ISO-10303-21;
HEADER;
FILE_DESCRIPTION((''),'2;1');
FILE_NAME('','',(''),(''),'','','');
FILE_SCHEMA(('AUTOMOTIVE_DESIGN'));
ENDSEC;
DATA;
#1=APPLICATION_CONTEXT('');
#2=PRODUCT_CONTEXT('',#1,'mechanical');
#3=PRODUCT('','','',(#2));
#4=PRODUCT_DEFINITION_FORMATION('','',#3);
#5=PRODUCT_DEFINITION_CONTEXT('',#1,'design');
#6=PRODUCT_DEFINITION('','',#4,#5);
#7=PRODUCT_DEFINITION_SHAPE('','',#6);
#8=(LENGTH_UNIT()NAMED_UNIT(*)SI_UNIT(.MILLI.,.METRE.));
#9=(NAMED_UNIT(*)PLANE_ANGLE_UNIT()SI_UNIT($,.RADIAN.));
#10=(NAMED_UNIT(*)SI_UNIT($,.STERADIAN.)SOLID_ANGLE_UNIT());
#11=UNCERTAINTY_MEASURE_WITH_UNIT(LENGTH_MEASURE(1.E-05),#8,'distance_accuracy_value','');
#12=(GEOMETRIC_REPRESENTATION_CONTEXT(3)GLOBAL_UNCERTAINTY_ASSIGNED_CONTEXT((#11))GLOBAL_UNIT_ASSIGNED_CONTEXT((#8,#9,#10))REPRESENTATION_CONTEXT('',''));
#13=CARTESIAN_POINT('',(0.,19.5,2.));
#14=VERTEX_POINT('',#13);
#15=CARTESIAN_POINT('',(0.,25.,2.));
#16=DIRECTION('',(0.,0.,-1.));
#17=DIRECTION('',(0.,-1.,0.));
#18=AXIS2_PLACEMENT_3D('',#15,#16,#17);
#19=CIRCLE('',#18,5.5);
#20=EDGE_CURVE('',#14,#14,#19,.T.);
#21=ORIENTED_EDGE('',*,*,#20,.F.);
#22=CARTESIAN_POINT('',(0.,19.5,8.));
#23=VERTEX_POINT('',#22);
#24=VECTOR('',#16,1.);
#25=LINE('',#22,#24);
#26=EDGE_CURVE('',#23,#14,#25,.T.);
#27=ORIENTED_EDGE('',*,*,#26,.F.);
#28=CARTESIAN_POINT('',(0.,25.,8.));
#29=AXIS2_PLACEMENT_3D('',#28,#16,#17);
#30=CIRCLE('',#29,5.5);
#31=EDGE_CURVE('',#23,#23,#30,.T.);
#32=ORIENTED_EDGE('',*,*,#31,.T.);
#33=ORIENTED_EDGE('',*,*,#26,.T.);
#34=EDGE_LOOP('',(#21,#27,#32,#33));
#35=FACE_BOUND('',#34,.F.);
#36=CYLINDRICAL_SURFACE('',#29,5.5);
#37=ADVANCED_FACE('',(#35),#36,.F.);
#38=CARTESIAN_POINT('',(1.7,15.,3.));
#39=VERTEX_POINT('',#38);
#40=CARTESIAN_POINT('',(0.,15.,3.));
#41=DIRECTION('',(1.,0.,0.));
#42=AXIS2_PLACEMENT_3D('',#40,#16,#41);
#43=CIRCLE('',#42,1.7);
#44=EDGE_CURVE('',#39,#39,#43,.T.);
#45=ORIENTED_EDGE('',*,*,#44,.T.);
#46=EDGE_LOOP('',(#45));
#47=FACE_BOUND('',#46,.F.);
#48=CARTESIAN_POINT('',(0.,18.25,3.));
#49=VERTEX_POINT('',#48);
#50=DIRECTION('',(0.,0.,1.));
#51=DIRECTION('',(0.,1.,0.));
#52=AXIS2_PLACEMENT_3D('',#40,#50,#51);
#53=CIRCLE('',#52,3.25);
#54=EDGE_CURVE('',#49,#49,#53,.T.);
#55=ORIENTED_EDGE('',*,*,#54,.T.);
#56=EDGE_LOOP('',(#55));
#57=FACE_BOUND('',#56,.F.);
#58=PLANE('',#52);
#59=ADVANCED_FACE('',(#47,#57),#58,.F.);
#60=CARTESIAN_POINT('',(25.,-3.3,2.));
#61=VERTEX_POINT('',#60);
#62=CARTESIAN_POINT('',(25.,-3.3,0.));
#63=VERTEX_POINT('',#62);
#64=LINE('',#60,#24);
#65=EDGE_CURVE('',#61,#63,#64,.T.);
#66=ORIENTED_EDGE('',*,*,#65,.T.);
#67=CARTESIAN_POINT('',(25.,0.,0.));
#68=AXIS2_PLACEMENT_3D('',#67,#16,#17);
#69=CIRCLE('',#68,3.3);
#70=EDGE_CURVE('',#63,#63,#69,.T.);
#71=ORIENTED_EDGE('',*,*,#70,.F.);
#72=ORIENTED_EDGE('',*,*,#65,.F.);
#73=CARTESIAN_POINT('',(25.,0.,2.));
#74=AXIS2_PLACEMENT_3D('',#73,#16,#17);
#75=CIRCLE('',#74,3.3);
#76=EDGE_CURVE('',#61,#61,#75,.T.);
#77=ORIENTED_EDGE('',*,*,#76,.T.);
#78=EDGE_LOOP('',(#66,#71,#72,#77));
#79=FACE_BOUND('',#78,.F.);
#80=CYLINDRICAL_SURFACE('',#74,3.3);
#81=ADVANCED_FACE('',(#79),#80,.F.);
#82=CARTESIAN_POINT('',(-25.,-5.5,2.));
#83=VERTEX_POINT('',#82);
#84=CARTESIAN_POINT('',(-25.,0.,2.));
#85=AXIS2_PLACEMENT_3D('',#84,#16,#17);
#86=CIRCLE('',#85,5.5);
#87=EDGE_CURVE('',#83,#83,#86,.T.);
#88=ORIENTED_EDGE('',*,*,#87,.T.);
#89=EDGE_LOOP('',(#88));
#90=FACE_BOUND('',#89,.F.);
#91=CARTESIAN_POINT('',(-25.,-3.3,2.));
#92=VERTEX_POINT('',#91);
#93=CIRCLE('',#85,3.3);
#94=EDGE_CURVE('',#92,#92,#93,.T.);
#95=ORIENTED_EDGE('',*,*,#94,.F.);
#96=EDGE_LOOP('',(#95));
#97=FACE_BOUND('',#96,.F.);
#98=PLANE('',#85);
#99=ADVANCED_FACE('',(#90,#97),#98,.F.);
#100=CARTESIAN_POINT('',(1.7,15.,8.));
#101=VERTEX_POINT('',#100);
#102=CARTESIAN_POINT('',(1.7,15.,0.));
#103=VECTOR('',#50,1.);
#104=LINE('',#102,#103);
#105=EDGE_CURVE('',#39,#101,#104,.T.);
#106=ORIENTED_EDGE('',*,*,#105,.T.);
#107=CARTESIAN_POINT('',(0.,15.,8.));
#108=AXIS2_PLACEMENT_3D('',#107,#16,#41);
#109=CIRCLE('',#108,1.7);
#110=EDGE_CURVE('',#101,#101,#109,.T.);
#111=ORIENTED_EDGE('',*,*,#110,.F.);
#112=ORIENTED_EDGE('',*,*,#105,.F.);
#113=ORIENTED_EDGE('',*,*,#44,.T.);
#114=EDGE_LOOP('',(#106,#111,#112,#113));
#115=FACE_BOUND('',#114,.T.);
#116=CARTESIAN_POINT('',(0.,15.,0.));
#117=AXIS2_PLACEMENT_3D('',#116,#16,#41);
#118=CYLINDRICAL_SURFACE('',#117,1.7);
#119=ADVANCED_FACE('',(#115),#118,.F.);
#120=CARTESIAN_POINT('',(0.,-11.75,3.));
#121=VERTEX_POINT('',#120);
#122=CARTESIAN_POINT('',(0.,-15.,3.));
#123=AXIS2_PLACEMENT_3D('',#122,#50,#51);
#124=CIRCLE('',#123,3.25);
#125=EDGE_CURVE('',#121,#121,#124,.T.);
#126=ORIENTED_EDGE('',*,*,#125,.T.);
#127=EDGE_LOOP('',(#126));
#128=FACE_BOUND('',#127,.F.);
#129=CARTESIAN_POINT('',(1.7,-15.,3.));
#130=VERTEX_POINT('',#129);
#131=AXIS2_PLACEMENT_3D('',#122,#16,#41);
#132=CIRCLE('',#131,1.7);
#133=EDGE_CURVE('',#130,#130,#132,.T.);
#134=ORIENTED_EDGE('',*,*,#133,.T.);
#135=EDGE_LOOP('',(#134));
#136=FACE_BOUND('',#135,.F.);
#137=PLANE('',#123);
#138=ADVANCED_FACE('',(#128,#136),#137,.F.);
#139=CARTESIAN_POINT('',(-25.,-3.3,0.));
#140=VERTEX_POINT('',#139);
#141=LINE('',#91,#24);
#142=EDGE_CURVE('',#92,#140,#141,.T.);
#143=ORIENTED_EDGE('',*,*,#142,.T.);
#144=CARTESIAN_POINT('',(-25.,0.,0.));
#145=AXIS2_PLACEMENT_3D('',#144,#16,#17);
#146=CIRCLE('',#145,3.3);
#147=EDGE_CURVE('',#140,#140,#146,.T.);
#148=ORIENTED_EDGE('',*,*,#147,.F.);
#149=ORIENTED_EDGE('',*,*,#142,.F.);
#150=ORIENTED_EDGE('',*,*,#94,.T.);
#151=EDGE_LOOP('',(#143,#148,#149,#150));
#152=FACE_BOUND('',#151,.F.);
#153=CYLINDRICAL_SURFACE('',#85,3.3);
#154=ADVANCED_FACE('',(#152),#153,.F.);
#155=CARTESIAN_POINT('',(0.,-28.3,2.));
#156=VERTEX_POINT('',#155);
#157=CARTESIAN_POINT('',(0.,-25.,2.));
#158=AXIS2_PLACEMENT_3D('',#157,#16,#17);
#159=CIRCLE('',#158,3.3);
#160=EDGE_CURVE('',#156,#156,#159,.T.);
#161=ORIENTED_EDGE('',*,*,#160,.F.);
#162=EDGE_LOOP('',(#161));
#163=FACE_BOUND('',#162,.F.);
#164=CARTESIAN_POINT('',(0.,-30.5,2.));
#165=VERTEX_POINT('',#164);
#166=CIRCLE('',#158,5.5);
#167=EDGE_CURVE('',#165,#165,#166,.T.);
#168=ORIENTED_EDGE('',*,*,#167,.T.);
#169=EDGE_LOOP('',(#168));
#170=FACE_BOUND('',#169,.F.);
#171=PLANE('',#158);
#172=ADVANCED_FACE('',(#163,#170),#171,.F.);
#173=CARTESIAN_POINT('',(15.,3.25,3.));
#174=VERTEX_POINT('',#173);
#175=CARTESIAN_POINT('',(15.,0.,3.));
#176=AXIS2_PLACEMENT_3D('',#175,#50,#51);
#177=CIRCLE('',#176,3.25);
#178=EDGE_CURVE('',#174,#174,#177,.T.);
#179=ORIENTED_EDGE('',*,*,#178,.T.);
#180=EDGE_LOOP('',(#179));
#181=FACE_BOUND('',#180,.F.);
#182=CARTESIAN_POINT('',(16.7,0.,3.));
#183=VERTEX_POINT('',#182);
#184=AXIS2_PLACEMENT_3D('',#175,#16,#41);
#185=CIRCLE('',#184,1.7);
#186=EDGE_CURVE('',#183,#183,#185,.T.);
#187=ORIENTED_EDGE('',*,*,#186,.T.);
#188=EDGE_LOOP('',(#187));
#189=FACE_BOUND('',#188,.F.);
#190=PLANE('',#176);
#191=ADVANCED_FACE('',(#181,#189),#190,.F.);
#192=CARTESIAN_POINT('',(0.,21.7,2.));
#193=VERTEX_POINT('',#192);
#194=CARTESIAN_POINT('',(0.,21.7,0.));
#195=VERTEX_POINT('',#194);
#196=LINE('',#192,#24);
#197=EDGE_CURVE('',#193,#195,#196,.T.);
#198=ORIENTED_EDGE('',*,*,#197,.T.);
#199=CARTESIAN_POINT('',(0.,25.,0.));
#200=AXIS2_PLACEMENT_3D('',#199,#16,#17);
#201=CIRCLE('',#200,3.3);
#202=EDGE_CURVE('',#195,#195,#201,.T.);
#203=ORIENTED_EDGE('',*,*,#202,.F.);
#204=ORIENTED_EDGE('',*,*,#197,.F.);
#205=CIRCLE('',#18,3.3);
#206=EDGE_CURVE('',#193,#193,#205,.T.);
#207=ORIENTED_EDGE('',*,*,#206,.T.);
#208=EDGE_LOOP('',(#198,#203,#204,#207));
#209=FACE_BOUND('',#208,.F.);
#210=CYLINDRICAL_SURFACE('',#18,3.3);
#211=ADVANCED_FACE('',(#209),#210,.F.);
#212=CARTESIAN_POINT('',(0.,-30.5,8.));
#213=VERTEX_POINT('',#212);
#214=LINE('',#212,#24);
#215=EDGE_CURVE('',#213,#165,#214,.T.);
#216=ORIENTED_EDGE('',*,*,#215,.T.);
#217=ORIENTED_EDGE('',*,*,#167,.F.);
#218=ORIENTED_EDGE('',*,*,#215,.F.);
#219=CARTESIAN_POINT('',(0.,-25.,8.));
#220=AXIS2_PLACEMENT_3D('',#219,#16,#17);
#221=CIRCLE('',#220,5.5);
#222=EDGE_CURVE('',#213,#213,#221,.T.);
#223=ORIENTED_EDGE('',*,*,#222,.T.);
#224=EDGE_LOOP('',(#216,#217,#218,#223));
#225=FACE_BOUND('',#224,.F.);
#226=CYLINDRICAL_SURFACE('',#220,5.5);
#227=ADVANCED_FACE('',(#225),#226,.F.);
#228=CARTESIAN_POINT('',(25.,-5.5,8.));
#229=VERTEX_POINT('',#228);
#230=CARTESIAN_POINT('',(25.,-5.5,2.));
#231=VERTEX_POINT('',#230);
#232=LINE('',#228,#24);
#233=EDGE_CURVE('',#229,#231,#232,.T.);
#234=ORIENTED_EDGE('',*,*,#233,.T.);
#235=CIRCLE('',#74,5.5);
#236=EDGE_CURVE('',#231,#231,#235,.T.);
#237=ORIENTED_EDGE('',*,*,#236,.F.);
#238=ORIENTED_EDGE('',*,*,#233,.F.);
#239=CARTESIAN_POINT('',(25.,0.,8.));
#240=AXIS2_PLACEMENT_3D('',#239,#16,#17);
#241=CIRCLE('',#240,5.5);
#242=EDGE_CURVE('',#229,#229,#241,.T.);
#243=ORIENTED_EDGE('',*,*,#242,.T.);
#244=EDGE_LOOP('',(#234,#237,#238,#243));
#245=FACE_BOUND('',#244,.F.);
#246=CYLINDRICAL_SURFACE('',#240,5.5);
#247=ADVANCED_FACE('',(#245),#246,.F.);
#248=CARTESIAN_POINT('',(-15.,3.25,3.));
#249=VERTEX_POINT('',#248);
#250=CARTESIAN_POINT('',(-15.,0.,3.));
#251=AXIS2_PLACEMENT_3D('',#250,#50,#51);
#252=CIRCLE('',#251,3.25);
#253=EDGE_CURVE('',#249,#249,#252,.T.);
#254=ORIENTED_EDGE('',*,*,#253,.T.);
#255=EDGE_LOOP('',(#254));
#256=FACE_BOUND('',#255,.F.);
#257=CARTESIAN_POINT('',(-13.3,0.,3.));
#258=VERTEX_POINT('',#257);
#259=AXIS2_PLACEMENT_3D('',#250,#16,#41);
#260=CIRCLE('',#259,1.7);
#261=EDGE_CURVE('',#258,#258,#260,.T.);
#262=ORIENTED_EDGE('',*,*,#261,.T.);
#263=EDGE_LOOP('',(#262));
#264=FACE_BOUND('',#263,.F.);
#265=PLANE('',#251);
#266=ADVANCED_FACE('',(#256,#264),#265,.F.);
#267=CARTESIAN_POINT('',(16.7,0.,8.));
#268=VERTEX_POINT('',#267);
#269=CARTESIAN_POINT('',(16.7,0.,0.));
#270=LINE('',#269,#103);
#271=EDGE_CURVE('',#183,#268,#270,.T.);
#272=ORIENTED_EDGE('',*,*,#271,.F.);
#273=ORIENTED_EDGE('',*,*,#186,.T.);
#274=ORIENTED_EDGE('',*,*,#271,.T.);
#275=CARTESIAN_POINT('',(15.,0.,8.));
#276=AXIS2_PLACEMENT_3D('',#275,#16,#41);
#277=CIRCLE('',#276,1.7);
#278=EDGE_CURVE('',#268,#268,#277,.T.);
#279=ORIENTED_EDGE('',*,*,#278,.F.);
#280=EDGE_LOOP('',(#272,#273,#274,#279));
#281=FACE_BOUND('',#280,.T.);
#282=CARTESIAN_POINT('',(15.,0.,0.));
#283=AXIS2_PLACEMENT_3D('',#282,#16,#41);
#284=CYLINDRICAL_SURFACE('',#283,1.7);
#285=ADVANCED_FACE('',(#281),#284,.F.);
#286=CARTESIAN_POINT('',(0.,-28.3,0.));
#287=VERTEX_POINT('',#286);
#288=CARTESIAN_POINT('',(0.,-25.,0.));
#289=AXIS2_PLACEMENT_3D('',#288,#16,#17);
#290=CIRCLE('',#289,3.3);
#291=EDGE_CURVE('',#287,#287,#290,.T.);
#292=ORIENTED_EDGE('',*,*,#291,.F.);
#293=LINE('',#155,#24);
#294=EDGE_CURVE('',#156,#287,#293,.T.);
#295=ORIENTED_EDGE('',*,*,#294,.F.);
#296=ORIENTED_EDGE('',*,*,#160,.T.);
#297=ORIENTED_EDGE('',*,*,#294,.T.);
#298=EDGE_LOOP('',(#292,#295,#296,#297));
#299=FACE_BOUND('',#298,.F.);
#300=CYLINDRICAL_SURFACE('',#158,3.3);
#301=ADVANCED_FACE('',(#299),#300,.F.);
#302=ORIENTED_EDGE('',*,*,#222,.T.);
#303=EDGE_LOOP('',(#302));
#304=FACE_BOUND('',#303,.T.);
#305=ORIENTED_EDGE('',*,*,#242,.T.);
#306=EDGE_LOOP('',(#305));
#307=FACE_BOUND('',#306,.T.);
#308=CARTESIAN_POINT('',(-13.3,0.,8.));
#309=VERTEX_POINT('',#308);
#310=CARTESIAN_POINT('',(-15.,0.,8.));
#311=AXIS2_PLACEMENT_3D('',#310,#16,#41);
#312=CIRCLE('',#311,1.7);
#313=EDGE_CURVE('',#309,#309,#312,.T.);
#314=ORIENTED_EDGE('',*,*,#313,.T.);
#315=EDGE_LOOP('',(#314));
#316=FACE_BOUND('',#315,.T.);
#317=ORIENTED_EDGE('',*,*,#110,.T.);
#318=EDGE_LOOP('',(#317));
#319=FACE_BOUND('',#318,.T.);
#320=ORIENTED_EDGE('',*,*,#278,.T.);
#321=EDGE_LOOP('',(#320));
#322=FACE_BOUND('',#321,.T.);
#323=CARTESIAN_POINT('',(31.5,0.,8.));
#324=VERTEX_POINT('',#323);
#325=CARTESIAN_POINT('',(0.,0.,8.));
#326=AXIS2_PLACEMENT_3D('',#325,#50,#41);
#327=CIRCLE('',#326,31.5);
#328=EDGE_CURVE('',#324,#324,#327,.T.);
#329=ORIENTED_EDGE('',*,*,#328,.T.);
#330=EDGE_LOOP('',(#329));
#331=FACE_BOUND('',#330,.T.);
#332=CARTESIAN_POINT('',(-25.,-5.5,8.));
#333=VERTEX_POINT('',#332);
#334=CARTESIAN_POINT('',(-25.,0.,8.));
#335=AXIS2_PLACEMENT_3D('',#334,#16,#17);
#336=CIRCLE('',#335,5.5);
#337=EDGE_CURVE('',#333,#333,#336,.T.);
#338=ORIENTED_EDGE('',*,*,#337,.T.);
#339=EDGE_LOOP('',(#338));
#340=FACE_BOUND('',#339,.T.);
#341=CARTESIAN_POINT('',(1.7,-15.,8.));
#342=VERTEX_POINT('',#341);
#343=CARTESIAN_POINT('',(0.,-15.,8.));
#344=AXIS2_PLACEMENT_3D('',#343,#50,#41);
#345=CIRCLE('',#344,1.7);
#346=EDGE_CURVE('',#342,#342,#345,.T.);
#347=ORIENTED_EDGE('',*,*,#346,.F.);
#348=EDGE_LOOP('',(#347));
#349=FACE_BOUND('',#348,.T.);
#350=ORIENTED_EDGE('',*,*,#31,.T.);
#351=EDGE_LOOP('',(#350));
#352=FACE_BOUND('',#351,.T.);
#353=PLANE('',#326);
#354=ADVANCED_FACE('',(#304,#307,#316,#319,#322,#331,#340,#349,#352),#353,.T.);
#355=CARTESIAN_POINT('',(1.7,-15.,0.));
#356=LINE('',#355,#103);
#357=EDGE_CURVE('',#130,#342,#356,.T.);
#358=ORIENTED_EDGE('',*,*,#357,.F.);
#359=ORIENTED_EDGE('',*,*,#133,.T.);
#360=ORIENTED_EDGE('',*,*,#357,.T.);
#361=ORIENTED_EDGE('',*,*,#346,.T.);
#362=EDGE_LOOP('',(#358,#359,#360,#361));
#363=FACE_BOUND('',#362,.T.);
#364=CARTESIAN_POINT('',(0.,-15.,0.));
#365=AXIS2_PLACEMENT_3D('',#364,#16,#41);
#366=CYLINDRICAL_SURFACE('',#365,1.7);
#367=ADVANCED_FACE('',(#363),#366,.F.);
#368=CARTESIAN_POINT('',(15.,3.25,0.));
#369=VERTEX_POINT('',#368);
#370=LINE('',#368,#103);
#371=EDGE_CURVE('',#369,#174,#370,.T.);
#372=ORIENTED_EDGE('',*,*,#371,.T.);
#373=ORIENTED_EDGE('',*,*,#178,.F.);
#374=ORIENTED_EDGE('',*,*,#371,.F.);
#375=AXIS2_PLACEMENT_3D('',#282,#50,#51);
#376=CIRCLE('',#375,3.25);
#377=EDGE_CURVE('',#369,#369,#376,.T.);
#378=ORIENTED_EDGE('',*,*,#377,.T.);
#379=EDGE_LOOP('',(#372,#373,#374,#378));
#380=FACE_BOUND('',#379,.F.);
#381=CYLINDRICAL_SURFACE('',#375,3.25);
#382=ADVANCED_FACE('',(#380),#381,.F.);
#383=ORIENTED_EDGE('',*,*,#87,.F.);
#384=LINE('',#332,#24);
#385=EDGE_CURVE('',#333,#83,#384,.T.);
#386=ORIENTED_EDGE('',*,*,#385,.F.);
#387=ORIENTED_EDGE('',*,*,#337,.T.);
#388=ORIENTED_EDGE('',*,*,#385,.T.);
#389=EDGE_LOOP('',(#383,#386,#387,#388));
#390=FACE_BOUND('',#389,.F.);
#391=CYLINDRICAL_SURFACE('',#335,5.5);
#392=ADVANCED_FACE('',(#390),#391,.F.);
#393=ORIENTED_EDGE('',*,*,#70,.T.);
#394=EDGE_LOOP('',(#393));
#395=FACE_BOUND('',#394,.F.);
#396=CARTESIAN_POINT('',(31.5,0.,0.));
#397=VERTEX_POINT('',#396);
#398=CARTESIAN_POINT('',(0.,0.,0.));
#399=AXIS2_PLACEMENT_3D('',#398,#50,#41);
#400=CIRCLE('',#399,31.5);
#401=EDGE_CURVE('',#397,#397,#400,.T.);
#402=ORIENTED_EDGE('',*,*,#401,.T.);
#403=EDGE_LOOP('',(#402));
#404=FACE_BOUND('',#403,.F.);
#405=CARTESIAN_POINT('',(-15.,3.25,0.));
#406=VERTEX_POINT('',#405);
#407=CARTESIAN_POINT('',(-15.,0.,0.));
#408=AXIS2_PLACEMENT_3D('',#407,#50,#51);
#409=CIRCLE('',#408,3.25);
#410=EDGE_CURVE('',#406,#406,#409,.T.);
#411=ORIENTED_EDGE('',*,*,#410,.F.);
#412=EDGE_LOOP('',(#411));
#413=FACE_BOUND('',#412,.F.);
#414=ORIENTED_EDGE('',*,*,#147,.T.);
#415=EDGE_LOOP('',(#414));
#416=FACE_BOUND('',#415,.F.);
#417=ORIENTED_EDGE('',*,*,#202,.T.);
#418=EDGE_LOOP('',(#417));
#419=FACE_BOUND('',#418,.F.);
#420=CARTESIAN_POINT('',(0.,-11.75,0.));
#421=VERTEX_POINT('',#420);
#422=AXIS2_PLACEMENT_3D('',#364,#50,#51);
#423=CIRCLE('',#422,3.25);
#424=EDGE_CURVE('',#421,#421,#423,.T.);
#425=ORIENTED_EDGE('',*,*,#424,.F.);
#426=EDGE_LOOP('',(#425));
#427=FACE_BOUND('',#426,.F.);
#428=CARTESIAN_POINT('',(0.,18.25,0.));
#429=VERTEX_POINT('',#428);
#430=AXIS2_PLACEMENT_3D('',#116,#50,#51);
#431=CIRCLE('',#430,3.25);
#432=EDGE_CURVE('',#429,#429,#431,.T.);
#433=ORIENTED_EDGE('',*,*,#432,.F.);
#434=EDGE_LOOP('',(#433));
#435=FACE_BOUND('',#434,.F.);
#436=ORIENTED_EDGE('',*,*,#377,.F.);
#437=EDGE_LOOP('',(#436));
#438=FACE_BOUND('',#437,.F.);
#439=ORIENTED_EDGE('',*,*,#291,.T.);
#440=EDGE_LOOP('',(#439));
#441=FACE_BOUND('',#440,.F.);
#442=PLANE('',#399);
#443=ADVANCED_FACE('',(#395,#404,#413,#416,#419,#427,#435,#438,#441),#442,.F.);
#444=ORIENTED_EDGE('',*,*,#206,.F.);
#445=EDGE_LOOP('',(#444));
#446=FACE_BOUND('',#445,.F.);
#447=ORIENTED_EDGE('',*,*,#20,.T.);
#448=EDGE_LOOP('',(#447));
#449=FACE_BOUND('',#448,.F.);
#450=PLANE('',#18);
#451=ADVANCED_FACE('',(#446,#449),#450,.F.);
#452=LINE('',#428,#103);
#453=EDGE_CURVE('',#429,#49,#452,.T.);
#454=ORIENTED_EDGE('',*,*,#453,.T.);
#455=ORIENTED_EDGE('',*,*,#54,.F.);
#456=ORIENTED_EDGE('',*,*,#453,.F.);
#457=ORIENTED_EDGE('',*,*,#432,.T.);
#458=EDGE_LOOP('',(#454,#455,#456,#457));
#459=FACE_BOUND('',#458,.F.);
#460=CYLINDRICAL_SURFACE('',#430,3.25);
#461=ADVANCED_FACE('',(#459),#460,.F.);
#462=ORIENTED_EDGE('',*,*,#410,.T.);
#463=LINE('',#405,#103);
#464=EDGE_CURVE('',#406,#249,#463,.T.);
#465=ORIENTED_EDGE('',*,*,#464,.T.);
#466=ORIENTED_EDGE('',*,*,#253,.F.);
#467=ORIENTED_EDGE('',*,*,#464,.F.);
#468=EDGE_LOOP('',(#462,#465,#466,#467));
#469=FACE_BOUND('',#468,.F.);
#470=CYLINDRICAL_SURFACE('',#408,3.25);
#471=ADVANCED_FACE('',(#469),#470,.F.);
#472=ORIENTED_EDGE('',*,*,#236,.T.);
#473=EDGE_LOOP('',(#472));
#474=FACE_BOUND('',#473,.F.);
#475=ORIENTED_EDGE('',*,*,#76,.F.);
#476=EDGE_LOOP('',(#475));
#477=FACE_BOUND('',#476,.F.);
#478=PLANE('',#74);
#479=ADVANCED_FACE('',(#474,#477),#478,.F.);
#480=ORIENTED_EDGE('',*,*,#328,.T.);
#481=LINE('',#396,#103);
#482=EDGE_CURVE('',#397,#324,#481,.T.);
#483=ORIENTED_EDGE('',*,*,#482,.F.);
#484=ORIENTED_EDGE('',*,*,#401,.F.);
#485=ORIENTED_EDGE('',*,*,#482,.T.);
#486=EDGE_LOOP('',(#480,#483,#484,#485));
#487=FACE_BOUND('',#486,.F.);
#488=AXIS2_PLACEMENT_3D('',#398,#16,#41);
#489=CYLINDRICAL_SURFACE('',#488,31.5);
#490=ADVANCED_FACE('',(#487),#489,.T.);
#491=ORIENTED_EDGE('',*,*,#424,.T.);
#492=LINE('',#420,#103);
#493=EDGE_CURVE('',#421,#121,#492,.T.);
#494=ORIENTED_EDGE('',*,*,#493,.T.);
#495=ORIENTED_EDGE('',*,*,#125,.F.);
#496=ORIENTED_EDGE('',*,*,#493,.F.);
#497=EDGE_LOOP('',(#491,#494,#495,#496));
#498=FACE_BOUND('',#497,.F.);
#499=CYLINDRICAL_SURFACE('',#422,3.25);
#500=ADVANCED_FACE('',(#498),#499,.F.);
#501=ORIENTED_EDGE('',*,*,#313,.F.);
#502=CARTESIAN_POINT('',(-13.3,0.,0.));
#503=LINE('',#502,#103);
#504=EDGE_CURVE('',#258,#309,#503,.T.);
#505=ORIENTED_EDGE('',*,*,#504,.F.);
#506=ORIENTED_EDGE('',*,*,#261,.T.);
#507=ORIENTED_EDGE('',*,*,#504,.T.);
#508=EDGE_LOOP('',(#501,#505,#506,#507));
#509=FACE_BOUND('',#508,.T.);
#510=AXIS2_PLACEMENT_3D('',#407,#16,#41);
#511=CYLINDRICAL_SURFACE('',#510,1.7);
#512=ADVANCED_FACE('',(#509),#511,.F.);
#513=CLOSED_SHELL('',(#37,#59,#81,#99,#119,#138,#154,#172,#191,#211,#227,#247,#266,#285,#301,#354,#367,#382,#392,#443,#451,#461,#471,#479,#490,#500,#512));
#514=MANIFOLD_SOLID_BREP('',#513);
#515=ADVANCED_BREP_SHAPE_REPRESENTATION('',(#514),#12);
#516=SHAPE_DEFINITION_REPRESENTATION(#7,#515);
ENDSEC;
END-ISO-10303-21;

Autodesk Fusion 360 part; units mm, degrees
sketch "Sketch1" plane through (0, 0, 0) normal (0, 0, 1) x (1, 0, 0)
  circle A0 centre (0, 0) radius 15 construction
  circle A1 centre (0, 15) radius 1.7
  circle A2 centre (-15, 0) radius 1.7
  circle A3 centre (0, -15) radius 1.7
  circle A4 centre (15, 0) radius 1.7
  circle A5 centre (0, 0) radius 25
  circle A6 centre (0, 25) radius 1.5 construction
  circle A7 centre (-25, 0) radius 1.5 construction
  circle A8 centre (0, -25) radius 1.5 construction
  circle A9 centre (25, 0) radius 1.5 construction
  circle A10 centre (0, 0) radius 31.5
  circle A11 centre (0, 0) radius 25 construction
  dimension "d426" = 30
  dimension "d427" = 3.4
  dimension "d429" = 360
  dimension "d430" = 50
  dimension "d432" = 3
  dimension "d442" = 63
  dimension "d443" = 50
extrude "Extrude1" add sketch "Sketch1" along normal blind 8 contours A5 | A10
hole "Hole2" at (15, 0, 0) at (0, -15, 0) at (-15, 0, 0) at (0, 15, 0) direction (0, 0, 1) diameter 3.4 depth 9 tip angle 118 counterbore diameter 6.5 counterbore depth 3
sketch "Sketch2" plane through (0, 0, 8) normal (0, 0, 1) x (-1, 0, 0)
  circle A0 centre (-15, 0) radius 1.7
  circle A1 centre (15, 0) radius 1.7
  circle A2 centre (0, 15) radius 1.7
  circle A3 centre (0, -15) radius 1.7
  circle A4 centre (0, 0) radius 31.5
  circle A5 centre (0, 0) radius 25
  circle A6 centre (0, -25) radius 1.5 construction
  circle A7 centre (25, 0) radius 1.5 construction
  circle A8 centre (0, 25) radius 1.5 construction
  circle A9 centre (-25, 0) radius 1.5 construction
  dimension "d449" = 50
  dimension "d450" = 3
  dimension "d452" = 360
hole "Hole3" at (0, 25, 8) at (25, 0, 8) at (0, -25, 8) at (-25, 0, 8) direction (0, 0, -1) diameter 6.6 depth 9 tip angle 118 counterbore diameter 11 counterbore depth 6
equation "d426 = promjer_utori"
equation "d443 = promjer_silikona"
equation "promjer_prihvata = promjer_silikona - 10 mm"
equation "promjer_silikona = 50 mm"
equation "promjer_utori = promjer_prihvata - 10 mm"
